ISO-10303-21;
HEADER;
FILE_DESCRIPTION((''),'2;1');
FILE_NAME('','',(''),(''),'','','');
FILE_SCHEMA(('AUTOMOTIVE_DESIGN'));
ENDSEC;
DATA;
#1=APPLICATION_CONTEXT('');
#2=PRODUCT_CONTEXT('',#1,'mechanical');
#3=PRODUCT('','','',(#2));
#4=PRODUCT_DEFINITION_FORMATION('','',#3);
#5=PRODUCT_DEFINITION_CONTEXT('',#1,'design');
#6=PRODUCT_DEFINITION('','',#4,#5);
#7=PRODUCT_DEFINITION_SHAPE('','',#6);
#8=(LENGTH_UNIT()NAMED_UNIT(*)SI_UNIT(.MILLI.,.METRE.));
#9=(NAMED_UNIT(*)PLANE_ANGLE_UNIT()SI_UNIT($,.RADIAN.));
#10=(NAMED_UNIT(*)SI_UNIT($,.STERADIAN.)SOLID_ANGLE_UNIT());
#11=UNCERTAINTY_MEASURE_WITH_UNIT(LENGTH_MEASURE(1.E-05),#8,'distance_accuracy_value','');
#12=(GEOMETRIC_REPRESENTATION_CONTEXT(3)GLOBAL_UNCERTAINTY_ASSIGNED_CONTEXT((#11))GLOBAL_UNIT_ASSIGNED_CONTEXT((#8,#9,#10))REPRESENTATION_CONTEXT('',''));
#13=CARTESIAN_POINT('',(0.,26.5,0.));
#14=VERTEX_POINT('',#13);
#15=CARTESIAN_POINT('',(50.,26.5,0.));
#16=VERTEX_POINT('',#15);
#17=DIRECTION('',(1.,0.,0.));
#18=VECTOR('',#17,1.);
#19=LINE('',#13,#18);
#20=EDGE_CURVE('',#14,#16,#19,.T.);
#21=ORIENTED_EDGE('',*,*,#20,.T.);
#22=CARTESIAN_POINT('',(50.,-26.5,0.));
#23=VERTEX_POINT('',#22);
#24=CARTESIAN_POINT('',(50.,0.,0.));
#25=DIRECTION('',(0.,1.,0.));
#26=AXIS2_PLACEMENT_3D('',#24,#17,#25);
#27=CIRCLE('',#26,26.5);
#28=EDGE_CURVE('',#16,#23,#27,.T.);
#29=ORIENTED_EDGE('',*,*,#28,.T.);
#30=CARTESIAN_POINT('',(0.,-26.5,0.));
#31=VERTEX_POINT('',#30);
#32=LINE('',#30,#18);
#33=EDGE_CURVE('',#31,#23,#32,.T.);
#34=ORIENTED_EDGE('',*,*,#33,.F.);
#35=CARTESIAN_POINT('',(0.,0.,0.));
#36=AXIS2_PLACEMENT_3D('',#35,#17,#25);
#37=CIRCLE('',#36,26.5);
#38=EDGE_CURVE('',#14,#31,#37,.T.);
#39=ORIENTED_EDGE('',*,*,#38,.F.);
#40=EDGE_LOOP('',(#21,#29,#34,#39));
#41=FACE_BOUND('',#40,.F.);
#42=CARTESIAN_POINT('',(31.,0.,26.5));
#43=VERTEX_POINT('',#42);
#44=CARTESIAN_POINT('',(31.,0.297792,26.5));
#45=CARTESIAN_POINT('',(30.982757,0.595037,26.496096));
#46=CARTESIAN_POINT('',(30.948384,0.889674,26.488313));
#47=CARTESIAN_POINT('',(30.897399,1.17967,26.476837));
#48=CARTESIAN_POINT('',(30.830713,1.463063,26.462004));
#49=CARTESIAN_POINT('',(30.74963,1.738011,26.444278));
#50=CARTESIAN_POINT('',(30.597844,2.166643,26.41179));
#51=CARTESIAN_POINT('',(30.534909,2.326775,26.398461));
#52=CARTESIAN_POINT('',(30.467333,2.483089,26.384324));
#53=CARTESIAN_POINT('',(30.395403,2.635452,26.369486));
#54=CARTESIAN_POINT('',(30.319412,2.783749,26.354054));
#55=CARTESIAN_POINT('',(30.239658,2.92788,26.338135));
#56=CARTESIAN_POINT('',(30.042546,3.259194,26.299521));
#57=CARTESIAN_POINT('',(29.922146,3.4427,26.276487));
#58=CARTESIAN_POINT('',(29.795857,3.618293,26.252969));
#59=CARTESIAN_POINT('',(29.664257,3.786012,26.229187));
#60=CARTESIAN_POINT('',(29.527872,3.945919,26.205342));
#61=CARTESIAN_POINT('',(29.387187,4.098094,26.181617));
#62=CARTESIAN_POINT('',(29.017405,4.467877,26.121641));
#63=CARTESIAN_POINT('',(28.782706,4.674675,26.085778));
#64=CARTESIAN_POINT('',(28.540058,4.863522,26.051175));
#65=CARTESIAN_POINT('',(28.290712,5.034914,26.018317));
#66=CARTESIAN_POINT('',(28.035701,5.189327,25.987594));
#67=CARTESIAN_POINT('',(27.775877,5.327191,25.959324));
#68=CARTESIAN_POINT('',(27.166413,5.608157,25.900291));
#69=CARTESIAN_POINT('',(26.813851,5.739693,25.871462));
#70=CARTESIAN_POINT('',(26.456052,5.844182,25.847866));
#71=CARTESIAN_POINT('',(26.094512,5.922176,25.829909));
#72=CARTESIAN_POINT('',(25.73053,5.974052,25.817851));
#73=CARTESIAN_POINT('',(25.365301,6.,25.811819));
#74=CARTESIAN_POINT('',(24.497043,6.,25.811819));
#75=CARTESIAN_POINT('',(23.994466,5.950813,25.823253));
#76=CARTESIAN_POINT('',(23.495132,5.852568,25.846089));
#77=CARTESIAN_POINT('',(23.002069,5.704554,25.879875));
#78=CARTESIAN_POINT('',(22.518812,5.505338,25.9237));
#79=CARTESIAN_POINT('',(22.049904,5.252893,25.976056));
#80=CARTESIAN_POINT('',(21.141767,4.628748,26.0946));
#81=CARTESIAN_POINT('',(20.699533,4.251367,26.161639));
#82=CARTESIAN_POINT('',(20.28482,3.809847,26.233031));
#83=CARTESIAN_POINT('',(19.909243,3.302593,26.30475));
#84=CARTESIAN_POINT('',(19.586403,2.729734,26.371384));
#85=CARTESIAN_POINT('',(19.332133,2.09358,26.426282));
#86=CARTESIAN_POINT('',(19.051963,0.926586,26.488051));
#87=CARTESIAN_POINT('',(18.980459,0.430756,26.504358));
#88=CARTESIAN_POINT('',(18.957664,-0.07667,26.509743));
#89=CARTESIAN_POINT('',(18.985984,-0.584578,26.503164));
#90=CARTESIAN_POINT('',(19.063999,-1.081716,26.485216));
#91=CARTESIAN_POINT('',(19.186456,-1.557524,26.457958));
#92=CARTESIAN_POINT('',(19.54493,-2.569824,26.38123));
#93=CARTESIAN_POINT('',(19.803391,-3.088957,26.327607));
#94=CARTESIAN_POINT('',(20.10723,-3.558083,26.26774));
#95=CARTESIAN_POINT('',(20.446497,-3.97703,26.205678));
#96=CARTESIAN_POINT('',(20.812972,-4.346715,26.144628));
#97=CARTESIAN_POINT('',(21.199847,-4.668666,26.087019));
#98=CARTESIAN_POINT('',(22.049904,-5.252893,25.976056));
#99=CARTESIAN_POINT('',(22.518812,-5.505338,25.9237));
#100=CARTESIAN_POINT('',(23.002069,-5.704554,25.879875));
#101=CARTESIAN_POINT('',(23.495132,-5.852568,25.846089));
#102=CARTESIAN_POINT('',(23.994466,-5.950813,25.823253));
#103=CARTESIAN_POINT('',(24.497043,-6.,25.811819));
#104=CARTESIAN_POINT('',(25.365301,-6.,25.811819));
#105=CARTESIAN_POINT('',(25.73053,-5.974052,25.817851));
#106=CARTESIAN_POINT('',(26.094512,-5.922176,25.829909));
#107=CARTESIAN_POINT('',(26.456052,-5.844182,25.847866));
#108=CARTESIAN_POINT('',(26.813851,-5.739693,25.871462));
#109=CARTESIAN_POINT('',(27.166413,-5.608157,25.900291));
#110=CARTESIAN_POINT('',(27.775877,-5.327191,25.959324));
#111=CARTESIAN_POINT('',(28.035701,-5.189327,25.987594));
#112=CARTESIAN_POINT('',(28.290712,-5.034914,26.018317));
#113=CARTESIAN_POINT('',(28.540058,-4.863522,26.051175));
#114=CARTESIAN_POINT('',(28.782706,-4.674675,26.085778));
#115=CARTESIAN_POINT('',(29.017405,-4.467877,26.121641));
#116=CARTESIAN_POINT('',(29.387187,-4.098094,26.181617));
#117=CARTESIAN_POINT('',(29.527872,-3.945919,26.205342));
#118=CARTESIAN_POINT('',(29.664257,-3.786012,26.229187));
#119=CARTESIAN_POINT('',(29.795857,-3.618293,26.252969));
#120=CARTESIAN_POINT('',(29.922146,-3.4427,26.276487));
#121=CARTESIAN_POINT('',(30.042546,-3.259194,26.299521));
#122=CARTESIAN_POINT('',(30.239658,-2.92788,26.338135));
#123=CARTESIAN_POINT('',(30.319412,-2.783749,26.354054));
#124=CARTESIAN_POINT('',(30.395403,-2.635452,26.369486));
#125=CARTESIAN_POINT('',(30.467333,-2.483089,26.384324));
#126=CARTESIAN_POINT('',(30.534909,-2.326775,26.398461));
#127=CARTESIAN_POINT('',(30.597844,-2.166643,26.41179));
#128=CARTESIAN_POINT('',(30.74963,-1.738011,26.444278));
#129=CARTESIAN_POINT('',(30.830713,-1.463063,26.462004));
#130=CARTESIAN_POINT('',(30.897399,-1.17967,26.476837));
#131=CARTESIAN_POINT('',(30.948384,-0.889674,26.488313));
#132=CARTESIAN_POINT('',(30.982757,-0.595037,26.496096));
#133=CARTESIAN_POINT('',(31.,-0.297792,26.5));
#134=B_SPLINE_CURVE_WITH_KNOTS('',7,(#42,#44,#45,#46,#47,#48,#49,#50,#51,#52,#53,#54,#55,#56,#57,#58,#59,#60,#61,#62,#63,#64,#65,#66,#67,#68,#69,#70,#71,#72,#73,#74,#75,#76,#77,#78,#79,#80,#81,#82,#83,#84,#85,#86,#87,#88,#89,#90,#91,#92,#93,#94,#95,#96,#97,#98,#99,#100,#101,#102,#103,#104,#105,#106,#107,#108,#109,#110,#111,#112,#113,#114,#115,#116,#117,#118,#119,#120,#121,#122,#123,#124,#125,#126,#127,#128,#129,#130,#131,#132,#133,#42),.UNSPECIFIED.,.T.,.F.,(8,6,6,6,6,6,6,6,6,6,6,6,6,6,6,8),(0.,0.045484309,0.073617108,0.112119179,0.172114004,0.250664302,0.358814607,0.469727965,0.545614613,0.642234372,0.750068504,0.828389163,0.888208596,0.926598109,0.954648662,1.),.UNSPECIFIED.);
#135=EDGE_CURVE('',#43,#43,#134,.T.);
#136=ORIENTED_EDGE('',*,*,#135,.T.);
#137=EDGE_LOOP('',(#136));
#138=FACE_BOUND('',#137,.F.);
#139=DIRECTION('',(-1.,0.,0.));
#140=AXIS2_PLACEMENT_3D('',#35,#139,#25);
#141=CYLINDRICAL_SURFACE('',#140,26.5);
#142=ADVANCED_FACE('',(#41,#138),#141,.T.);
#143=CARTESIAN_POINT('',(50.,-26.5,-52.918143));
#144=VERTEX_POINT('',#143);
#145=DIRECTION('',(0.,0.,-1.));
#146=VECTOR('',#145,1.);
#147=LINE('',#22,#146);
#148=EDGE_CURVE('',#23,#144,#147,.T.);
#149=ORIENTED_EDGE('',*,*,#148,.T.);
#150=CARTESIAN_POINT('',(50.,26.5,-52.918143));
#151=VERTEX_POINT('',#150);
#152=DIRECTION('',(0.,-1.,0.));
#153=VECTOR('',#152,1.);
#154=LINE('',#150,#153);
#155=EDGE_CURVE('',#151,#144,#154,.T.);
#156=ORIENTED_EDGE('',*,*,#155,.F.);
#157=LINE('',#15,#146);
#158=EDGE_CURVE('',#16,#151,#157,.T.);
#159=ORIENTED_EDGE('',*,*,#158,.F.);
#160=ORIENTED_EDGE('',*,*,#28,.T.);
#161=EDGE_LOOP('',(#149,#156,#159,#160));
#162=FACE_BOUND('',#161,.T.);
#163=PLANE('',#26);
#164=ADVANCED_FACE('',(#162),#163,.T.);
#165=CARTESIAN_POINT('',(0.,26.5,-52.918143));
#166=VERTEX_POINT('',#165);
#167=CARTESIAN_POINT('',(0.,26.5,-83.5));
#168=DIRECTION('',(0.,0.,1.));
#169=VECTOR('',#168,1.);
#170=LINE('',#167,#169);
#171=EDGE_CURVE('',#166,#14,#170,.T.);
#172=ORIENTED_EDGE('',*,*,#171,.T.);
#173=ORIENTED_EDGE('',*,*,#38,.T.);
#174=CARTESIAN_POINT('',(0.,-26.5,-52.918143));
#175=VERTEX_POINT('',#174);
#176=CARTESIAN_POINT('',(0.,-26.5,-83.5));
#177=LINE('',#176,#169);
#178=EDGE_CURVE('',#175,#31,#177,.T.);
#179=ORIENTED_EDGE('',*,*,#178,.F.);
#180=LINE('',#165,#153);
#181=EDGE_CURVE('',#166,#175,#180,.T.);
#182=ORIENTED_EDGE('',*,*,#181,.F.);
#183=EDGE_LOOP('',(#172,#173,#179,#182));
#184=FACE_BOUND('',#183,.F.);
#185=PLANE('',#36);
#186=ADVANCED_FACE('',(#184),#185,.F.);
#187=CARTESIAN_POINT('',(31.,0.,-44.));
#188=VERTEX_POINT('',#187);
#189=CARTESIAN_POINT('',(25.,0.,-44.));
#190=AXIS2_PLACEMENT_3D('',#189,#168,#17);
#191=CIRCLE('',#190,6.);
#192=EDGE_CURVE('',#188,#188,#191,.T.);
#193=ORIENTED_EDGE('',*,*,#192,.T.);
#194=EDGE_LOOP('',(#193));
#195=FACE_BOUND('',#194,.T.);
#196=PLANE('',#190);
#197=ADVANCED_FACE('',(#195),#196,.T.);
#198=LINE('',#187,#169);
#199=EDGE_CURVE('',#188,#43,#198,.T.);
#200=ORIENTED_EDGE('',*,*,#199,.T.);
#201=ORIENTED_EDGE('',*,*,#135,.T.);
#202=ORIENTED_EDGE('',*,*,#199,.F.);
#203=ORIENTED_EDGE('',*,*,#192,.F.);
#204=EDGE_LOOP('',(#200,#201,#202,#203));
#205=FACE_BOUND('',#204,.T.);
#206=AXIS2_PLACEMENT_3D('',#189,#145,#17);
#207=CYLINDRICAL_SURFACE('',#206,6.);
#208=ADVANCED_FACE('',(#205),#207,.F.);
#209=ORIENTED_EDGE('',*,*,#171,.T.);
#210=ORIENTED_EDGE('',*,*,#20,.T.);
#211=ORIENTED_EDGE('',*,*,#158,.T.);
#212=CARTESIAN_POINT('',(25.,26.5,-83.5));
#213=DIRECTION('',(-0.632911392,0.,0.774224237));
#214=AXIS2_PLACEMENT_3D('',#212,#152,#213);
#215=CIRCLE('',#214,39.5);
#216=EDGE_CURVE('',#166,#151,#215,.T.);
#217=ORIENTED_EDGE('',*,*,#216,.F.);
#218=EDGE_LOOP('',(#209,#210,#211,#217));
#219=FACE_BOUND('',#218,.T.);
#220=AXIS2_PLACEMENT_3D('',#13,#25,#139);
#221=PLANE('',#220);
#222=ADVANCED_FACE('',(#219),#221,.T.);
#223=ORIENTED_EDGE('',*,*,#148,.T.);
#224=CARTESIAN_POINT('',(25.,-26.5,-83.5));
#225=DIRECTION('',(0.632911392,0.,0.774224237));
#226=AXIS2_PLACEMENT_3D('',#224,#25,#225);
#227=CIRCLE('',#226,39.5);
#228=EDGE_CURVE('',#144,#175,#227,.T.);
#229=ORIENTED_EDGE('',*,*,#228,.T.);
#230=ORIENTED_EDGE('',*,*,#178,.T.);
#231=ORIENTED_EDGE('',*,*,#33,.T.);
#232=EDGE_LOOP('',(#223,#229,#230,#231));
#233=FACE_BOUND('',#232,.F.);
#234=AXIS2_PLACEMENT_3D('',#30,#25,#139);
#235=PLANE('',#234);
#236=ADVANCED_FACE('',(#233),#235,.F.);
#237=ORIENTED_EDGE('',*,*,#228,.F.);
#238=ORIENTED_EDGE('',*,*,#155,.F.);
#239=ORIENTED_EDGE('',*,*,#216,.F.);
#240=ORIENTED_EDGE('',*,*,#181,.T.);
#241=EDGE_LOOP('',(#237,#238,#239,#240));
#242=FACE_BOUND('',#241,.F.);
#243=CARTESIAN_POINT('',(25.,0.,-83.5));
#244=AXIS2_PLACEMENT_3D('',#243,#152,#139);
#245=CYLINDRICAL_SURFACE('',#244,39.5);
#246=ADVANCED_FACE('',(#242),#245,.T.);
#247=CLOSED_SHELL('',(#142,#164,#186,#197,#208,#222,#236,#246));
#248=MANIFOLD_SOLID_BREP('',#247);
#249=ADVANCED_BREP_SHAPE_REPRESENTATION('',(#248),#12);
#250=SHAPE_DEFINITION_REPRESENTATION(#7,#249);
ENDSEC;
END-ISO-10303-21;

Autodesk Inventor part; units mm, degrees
ref_plane "YZ Plane" through (0, 0, 0) normal (1, 0, 0) x (0, 1, 0)
ref_plane "XZ Plane" through (0, 0, 0) normal (0, 1, 0) x (-1, 0, 0)
sketch "Sketch1" plane through (0, 0, 0) normal (0, 1, 0) x (-1, 0, 0)
  line L0 (0, 0) -> (-50, 0)
  line L1 (-50, 0) -> (-50, -83.5)
  line L2 (-50, -83.5) -> (0, -83.5)
  line L3 (0, -83.5) -> (0, 0)
  circle A0 centre (-25, -83.5) radius 39.5
  point P0 (-50, -52.9181)
  point P1 (0, -52.9181)
  dimension "d0" = 50
  dimension "d1" = 79
  dimension "d14" = 83.5
extrude "Extrusion1" add sketch "Sketch1" along normal mid plane 53
sketch "Sketch2" plane through (0, 0, 0) normal (1, 0, 0) x (0, 1, 0)
  line L0 (26.5, 0) -> (-26.5, 0) projected
  circle A0 centre (0, 0) radius 26.5
extrude "Extrusion2" add sketch "Sketch2" along normal up to surface (50 mm away) contours L0 A0 picked at (8.0782, 6.219)
ref_plane "Work Plane1" through (25, 0, -44) normal (0, 0, 1) x (1, 0, 0)
sketch "Sketch3" plane through (25, 0, -44) normal (0, 0, 1) x (1, 0, 0)
  circle A0 centre (0, 0) radius 6
  line L0 (-25, 0) -> (27.9863, 0) construction
  line L1 (39.5, 26.5) -> (-39.5, 26.5) construction
  line L2 (0, 26.5) -> (0, -26.5) construction
  point P0 (25, 26.5)
  point P1 (-25, 26.5)
  dimension "d15" = 12
extrude "Extrusion3" cut sketch "Sketch3" along normal through all
properties part number "thigh_inventor"
